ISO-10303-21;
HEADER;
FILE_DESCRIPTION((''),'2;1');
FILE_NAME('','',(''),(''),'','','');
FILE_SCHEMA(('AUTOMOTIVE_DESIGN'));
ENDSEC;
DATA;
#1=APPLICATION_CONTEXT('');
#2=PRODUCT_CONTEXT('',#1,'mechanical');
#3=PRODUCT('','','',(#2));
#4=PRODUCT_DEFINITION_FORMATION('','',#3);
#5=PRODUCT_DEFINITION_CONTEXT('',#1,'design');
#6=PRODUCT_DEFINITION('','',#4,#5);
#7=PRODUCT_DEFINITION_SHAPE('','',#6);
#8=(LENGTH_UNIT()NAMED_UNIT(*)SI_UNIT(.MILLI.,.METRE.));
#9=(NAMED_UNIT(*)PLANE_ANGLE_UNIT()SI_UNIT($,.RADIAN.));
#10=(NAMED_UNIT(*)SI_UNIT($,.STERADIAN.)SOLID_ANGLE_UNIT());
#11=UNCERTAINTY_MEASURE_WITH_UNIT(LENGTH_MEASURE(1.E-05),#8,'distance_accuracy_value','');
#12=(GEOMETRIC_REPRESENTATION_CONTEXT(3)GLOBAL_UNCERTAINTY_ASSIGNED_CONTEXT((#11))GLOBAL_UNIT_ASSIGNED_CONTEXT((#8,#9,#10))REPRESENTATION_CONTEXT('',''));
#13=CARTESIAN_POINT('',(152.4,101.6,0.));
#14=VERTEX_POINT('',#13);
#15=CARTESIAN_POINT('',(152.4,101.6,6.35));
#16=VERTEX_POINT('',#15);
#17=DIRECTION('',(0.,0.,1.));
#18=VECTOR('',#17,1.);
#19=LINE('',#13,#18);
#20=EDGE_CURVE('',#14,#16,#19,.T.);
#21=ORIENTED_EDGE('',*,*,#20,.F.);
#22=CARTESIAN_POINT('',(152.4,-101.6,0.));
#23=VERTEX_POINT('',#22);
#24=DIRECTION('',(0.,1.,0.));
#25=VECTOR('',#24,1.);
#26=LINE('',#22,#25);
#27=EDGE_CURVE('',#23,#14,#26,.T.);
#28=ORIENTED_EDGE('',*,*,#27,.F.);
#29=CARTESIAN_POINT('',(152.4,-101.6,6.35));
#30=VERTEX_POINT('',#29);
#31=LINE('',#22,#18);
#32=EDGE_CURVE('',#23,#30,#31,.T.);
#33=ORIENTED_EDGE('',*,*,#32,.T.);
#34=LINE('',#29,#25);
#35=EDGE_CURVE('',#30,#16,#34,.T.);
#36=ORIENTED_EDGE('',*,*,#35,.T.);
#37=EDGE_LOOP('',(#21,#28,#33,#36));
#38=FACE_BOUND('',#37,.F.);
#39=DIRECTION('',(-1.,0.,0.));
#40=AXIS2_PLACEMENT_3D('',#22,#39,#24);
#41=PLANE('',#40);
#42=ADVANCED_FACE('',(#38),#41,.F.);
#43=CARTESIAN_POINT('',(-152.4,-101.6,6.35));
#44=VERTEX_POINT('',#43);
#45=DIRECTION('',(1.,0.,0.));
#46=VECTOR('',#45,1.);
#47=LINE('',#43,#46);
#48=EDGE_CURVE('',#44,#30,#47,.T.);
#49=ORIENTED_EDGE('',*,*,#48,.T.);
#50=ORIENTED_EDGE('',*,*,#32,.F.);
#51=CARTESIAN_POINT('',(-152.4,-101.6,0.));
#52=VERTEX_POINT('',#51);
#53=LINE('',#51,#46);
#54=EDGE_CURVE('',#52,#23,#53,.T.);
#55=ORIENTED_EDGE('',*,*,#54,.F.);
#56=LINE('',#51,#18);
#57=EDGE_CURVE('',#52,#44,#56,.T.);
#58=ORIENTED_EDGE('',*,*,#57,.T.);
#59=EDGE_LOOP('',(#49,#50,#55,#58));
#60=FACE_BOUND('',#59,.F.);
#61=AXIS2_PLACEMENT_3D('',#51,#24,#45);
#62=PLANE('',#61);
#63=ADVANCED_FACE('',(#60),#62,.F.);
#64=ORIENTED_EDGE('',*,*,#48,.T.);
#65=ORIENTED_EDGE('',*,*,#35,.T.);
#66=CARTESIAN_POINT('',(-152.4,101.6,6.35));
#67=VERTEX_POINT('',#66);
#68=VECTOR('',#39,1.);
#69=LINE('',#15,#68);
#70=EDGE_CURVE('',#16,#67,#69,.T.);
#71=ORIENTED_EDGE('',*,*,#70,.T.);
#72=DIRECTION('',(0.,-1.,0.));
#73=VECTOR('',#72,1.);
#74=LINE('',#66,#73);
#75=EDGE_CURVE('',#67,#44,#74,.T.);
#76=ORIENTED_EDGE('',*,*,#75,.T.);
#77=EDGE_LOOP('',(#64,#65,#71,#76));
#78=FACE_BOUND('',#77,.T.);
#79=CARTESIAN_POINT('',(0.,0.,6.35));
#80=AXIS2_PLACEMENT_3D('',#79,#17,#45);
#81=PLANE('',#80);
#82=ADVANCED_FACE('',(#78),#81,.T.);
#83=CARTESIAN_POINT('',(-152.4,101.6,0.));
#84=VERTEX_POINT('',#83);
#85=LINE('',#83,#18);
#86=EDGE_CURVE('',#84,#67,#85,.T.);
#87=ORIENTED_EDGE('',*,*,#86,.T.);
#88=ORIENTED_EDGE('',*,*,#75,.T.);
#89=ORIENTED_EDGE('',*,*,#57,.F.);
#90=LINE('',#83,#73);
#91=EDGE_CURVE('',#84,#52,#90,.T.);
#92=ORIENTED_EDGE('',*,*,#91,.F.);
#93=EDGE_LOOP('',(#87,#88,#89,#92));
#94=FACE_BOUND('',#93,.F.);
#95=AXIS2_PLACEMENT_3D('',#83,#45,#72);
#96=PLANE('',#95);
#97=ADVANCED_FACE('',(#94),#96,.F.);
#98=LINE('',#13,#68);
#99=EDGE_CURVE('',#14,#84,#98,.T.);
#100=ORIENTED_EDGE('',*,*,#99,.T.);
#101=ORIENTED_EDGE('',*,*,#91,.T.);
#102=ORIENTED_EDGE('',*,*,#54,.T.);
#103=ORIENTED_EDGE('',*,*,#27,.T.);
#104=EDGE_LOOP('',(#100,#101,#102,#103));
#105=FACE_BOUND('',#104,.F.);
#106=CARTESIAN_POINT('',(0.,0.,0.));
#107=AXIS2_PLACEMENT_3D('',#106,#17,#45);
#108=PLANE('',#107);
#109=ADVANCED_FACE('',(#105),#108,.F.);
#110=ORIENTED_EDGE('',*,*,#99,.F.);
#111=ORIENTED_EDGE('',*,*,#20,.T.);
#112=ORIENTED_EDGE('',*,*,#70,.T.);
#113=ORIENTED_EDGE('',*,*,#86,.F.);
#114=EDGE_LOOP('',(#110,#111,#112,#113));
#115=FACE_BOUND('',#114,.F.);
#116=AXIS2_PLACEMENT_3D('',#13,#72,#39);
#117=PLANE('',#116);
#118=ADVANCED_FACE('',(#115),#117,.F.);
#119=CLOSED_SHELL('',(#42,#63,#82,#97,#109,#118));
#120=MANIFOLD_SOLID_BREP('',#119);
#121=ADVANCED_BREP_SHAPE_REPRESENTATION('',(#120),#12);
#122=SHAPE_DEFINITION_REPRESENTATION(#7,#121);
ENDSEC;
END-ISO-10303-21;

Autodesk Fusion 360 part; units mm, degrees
sketch "Sketch1" plane through (0, 0, 0) normal (0, 0, 1) x (1, 0, 0)
  line L0 (152.4, 101.6) -> (-152.4, 101.6)
  line L1 (-152.4, 101.6) -> (-152.4, -101.6)
  line L2 (-152.4, -101.6) -> (152.4, -101.6)
  line L3 (152.4, -101.6) -> (152.4, 101.6)
  line L4 (152.4, 101.6) -> (-152.4, -101.6) construction
  line L5 (-152.4, 101.6) -> (152.4, -101.6) construction
  dimension "d1" = 304.8
  dimension "d2" = 203.2
extrude "Extrude1" add sketch "Sketch1" along normal blind 6.35
